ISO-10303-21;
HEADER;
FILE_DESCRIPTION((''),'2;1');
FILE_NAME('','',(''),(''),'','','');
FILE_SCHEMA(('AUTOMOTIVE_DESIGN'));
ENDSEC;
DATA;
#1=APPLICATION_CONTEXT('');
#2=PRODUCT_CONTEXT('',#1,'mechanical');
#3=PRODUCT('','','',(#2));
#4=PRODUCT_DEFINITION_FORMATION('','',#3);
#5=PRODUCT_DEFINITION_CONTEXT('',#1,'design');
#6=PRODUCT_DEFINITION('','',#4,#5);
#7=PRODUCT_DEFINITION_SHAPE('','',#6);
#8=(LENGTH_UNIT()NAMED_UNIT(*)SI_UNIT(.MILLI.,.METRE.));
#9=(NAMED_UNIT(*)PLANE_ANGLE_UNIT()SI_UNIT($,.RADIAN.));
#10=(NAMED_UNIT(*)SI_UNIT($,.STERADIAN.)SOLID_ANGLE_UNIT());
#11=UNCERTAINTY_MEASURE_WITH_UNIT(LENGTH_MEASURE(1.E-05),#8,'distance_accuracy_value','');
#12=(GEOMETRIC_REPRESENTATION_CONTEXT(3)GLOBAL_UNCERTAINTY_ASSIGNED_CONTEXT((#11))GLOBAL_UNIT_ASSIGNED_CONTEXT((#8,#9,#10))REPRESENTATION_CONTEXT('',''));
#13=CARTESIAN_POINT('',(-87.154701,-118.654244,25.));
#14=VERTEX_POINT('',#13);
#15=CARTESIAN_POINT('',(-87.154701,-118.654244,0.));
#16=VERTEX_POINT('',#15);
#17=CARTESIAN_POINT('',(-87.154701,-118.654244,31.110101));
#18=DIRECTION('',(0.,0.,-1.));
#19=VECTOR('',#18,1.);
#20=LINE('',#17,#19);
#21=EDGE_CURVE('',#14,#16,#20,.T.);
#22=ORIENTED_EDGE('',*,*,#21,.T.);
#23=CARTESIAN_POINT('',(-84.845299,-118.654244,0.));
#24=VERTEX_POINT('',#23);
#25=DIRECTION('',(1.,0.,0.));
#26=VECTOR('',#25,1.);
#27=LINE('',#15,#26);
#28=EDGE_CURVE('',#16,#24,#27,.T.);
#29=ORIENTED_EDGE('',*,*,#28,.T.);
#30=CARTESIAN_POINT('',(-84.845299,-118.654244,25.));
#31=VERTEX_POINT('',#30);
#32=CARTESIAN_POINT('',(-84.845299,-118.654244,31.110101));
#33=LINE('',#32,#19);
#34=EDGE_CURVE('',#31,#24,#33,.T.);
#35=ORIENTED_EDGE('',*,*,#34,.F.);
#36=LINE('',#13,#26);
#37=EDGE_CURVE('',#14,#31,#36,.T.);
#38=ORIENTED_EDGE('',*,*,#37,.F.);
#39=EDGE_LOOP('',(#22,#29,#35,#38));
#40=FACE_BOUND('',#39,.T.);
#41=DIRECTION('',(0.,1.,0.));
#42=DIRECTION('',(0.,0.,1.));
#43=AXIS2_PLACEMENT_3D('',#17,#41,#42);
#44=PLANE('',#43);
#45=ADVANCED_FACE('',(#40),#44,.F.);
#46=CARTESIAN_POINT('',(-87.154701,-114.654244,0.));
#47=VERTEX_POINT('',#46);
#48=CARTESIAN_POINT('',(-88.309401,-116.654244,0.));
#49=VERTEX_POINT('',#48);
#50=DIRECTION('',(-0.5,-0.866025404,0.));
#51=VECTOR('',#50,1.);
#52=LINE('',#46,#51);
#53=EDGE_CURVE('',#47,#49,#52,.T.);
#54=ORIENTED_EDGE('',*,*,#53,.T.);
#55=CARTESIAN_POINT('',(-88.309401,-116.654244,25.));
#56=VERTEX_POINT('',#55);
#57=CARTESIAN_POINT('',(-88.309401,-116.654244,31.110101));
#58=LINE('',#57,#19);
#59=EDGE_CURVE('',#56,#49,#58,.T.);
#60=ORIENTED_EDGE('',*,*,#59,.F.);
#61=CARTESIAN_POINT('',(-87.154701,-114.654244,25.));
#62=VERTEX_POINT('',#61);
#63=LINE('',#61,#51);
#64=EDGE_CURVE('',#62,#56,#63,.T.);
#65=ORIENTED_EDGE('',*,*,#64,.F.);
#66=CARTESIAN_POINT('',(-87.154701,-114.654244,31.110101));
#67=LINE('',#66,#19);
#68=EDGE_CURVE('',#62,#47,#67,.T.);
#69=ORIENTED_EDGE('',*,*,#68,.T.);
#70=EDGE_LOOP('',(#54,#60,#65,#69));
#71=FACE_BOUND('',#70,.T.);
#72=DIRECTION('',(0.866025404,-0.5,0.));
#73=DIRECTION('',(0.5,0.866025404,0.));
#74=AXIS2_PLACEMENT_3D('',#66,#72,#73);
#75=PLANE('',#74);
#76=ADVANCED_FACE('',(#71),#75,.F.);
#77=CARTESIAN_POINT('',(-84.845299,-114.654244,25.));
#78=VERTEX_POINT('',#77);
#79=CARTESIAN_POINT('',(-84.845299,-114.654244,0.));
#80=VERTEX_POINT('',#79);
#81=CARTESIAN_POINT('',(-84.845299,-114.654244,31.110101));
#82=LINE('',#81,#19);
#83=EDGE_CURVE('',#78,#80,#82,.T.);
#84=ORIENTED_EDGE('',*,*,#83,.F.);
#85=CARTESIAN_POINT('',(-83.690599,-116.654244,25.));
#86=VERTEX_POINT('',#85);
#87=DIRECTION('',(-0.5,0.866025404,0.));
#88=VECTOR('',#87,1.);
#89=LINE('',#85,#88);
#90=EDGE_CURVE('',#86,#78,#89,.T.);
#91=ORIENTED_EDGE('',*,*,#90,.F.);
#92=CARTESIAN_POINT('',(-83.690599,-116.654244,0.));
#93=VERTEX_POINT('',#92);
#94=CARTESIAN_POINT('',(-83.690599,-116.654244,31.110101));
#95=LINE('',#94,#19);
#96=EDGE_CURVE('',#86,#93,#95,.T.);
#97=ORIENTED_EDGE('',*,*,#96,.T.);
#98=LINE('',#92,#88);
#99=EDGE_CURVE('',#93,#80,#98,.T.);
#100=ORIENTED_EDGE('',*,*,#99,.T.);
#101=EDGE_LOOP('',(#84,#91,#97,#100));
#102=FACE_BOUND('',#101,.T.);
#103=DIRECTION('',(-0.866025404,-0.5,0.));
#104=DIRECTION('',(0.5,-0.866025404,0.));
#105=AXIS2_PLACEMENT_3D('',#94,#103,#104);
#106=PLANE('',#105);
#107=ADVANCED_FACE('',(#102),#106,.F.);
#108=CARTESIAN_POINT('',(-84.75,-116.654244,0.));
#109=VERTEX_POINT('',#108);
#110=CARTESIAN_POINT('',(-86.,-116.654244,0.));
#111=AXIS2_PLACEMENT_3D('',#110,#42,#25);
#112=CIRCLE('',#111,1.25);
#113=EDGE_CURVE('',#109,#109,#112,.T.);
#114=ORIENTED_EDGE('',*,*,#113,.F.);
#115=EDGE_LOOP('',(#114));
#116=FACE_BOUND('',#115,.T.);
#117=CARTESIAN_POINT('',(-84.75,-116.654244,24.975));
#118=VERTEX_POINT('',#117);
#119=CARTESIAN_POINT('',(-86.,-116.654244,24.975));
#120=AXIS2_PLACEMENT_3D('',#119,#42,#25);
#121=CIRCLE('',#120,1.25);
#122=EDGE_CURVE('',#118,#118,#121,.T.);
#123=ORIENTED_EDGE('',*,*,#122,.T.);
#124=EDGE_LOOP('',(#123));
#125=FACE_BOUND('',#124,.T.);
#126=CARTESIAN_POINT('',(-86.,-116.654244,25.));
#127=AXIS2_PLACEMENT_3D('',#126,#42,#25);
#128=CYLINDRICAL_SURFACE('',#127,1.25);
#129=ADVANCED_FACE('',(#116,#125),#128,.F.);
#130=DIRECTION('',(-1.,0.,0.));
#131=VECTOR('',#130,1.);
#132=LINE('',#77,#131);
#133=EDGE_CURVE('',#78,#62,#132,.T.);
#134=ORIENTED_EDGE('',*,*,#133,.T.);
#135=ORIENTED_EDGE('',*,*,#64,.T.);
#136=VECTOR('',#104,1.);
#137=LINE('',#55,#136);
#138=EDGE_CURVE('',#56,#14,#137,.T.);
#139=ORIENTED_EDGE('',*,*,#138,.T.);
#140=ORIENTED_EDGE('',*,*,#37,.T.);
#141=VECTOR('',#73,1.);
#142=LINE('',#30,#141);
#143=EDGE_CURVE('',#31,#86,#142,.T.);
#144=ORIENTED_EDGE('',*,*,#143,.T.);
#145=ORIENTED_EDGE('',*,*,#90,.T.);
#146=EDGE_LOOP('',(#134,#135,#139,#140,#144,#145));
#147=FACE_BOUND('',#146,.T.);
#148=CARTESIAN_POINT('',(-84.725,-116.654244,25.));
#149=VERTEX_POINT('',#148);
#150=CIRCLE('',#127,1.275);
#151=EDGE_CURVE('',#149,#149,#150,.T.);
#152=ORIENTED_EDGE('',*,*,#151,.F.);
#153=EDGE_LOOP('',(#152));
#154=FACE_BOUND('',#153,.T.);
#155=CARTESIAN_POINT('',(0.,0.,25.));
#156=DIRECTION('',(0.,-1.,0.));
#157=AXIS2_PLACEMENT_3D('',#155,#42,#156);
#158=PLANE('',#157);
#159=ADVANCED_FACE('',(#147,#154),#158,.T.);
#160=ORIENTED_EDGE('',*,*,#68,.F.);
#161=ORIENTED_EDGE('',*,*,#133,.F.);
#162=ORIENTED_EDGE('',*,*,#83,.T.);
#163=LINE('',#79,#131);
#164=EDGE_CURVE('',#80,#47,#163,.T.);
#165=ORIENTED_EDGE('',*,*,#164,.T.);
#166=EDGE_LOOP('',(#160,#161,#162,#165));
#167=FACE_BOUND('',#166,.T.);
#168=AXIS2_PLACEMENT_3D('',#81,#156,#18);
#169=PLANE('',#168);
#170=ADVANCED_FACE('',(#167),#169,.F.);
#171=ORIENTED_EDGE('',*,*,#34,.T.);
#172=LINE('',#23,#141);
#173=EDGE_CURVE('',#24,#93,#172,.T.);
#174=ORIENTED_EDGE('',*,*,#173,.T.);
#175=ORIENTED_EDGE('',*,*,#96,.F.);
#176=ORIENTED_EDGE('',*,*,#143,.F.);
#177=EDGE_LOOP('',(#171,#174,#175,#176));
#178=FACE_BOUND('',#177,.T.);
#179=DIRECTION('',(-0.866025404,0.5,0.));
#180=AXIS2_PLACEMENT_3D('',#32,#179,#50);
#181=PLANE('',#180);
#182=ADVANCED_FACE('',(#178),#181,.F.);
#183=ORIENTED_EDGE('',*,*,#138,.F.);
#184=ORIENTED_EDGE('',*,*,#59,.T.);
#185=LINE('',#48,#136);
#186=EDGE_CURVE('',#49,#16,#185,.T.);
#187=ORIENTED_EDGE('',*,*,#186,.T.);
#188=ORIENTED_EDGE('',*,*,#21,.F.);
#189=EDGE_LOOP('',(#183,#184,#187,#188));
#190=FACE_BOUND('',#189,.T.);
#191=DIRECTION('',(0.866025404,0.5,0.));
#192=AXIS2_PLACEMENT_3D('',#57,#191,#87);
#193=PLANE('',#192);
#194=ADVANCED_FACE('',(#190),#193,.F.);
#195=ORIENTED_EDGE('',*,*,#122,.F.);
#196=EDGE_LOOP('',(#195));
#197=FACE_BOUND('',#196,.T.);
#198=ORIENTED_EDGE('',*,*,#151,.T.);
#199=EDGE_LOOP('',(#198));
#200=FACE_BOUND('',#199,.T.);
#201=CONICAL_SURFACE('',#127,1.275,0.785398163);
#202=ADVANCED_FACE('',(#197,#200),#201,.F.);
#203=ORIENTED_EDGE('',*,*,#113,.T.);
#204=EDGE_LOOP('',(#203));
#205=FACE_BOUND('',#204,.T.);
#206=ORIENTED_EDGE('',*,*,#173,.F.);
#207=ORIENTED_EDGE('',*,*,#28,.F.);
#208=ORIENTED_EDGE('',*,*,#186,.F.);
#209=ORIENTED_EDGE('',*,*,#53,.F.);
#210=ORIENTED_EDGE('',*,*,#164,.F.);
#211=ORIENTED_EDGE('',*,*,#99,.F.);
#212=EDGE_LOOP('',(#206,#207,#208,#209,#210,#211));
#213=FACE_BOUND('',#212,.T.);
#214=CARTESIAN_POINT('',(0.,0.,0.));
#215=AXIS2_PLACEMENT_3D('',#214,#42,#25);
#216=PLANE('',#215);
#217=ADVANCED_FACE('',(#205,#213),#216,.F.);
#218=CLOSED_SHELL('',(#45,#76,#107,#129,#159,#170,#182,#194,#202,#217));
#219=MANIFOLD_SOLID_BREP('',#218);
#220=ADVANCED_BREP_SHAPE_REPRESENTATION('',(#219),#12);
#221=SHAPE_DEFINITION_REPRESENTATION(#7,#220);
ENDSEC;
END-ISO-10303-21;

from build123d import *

# Parameters (mm, degrees)
BOSS_EXTRUDE1_DEPTH             = 25
F_2_5MM_DOWEL_HOLE2_D           = 2.5
F_2_5MM_DOWEL_HOLE2_CSINK_D     = 2.55
F_2_5MM_DOWEL_HOLE2_CSINK_ANGLE = 90


with BuildPart() as part:
    # Sketch1 → Boss-Extrude1 (new body)
    with BuildSketch(Plane.XY):
        Polygon((-83.690598923, -116.654243634), (-84.845299462, -114.654243634), (-87.154700538, -114.654243634), (-88.309401077, -116.654243634), (-87.154700538, -118.654243634), (-84.845299462, -118.654243634), align=None)
    extrude(amount=BOSS_EXTRUDE1_DEPTH)

    # Ø2.5mm Dowel Hole2 (through all)
    with Locations(Plane(origin=(-86, -116.654243634, 25), x_dir=(1, 0, 0), z_dir=(0, 0, 1))):
        with Locations((0, 0)):
            CounterSinkHole(F_2_5MM_DOWEL_HOLE2_D / 2, F_2_5MM_DOWEL_HOLE2_CSINK_D / 2, counter_sink_angle=F_2_5MM_DOWEL_HOLE2_CSINK_ANGLE)


solid = part.part
